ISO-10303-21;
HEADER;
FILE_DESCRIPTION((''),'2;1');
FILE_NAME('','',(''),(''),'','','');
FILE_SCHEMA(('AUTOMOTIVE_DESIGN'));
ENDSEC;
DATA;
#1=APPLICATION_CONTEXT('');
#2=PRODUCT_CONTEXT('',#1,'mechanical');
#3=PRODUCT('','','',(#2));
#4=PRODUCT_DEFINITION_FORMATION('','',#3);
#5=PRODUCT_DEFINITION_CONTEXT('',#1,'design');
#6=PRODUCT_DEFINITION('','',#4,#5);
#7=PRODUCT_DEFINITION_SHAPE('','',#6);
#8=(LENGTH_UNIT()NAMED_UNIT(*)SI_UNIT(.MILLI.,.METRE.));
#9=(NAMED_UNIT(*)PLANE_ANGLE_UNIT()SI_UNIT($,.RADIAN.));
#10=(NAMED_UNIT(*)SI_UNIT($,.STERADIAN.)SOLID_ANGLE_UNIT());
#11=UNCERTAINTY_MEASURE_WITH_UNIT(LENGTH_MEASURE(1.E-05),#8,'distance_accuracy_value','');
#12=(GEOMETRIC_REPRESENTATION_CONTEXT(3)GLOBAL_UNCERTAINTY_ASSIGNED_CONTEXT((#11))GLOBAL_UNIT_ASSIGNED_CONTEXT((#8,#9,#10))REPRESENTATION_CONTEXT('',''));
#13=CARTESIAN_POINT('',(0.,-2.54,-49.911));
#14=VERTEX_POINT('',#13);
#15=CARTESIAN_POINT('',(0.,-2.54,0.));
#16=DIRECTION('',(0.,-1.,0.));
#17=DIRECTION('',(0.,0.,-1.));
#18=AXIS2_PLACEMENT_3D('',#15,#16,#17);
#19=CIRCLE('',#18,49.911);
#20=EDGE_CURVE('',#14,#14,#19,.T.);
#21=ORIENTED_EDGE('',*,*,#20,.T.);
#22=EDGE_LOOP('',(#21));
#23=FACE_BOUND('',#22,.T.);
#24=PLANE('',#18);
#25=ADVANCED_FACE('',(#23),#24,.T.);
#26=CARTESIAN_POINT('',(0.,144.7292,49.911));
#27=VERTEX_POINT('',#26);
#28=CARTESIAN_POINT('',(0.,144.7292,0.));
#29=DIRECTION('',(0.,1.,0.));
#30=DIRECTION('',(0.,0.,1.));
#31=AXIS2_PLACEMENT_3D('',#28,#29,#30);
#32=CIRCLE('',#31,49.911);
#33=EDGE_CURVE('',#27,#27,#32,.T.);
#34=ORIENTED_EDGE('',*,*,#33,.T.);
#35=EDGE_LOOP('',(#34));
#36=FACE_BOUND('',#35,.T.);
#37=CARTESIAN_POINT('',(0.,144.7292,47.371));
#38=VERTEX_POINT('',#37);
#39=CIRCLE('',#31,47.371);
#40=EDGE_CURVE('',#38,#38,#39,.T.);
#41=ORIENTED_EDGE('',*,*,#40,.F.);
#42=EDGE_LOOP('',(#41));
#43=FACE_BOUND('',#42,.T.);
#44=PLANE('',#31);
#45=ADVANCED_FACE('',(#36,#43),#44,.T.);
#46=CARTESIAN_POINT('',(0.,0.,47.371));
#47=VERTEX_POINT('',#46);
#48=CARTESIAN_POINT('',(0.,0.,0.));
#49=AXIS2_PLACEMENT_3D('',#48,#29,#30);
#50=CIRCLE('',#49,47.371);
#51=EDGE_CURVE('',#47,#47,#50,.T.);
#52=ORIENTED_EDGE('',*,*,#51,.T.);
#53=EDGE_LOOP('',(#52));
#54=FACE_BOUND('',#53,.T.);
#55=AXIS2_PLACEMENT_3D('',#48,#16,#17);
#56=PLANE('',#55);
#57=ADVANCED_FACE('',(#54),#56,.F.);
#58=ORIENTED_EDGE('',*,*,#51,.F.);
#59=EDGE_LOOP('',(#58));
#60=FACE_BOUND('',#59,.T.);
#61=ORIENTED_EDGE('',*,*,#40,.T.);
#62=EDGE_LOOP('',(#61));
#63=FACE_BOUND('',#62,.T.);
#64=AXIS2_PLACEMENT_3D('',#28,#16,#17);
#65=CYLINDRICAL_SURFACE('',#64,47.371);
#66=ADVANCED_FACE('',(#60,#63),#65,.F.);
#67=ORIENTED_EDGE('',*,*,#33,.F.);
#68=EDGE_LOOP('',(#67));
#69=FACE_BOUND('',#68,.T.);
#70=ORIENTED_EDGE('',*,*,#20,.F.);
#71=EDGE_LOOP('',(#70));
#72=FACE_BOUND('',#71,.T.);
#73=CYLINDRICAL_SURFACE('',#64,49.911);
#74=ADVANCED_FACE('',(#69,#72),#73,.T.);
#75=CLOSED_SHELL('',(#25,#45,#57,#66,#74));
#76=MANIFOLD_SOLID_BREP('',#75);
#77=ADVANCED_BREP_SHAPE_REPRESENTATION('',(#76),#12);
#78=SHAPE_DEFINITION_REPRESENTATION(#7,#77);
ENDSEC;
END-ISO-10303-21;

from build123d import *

# Parameters (mm, degrees)
SKETCH1_R           = 49.911
SKETCH1_R_2         = 47.371
BOSS_EXTRUDE1_DEPTH = 144.7292
BOSS_EXTRUDE2_START = 2.54
SKETCH2_R           = 49.911
BOSS_EXTRUDE2_DEPTH = 2.54


with BuildPart() as part:
    # Sketch1 → Boss-Extrude1 (new body)
    with BuildSketch(Plane(origin=(0, 0, 0), x_dir=(1, 0, 0), z_dir=(0, 1, 0))):
        with Locations(Location((0, 0, 0), (0, 0, 270))):
            Circle(SKETCH1_R)
        with Locations(Location((0, 0, 0), (0, 0, 270))):
            Circle(SKETCH1_R_2, mode=Mode.SUBTRACT)
    extrude(amount=BOSS_EXTRUDE1_DEPTH)

    # Sketch2 → Boss-Extrude2 (add)
    with BuildSketch(Plane.XZ.offset(BOSS_EXTRUDE2_START)):
        with Locations(Location((0, 0, 0), (0, 0, 270))):
            Circle(SKETCH2_R)
    extrude(amount=-BOSS_EXTRUDE2_DEPTH)


solid = part.part
